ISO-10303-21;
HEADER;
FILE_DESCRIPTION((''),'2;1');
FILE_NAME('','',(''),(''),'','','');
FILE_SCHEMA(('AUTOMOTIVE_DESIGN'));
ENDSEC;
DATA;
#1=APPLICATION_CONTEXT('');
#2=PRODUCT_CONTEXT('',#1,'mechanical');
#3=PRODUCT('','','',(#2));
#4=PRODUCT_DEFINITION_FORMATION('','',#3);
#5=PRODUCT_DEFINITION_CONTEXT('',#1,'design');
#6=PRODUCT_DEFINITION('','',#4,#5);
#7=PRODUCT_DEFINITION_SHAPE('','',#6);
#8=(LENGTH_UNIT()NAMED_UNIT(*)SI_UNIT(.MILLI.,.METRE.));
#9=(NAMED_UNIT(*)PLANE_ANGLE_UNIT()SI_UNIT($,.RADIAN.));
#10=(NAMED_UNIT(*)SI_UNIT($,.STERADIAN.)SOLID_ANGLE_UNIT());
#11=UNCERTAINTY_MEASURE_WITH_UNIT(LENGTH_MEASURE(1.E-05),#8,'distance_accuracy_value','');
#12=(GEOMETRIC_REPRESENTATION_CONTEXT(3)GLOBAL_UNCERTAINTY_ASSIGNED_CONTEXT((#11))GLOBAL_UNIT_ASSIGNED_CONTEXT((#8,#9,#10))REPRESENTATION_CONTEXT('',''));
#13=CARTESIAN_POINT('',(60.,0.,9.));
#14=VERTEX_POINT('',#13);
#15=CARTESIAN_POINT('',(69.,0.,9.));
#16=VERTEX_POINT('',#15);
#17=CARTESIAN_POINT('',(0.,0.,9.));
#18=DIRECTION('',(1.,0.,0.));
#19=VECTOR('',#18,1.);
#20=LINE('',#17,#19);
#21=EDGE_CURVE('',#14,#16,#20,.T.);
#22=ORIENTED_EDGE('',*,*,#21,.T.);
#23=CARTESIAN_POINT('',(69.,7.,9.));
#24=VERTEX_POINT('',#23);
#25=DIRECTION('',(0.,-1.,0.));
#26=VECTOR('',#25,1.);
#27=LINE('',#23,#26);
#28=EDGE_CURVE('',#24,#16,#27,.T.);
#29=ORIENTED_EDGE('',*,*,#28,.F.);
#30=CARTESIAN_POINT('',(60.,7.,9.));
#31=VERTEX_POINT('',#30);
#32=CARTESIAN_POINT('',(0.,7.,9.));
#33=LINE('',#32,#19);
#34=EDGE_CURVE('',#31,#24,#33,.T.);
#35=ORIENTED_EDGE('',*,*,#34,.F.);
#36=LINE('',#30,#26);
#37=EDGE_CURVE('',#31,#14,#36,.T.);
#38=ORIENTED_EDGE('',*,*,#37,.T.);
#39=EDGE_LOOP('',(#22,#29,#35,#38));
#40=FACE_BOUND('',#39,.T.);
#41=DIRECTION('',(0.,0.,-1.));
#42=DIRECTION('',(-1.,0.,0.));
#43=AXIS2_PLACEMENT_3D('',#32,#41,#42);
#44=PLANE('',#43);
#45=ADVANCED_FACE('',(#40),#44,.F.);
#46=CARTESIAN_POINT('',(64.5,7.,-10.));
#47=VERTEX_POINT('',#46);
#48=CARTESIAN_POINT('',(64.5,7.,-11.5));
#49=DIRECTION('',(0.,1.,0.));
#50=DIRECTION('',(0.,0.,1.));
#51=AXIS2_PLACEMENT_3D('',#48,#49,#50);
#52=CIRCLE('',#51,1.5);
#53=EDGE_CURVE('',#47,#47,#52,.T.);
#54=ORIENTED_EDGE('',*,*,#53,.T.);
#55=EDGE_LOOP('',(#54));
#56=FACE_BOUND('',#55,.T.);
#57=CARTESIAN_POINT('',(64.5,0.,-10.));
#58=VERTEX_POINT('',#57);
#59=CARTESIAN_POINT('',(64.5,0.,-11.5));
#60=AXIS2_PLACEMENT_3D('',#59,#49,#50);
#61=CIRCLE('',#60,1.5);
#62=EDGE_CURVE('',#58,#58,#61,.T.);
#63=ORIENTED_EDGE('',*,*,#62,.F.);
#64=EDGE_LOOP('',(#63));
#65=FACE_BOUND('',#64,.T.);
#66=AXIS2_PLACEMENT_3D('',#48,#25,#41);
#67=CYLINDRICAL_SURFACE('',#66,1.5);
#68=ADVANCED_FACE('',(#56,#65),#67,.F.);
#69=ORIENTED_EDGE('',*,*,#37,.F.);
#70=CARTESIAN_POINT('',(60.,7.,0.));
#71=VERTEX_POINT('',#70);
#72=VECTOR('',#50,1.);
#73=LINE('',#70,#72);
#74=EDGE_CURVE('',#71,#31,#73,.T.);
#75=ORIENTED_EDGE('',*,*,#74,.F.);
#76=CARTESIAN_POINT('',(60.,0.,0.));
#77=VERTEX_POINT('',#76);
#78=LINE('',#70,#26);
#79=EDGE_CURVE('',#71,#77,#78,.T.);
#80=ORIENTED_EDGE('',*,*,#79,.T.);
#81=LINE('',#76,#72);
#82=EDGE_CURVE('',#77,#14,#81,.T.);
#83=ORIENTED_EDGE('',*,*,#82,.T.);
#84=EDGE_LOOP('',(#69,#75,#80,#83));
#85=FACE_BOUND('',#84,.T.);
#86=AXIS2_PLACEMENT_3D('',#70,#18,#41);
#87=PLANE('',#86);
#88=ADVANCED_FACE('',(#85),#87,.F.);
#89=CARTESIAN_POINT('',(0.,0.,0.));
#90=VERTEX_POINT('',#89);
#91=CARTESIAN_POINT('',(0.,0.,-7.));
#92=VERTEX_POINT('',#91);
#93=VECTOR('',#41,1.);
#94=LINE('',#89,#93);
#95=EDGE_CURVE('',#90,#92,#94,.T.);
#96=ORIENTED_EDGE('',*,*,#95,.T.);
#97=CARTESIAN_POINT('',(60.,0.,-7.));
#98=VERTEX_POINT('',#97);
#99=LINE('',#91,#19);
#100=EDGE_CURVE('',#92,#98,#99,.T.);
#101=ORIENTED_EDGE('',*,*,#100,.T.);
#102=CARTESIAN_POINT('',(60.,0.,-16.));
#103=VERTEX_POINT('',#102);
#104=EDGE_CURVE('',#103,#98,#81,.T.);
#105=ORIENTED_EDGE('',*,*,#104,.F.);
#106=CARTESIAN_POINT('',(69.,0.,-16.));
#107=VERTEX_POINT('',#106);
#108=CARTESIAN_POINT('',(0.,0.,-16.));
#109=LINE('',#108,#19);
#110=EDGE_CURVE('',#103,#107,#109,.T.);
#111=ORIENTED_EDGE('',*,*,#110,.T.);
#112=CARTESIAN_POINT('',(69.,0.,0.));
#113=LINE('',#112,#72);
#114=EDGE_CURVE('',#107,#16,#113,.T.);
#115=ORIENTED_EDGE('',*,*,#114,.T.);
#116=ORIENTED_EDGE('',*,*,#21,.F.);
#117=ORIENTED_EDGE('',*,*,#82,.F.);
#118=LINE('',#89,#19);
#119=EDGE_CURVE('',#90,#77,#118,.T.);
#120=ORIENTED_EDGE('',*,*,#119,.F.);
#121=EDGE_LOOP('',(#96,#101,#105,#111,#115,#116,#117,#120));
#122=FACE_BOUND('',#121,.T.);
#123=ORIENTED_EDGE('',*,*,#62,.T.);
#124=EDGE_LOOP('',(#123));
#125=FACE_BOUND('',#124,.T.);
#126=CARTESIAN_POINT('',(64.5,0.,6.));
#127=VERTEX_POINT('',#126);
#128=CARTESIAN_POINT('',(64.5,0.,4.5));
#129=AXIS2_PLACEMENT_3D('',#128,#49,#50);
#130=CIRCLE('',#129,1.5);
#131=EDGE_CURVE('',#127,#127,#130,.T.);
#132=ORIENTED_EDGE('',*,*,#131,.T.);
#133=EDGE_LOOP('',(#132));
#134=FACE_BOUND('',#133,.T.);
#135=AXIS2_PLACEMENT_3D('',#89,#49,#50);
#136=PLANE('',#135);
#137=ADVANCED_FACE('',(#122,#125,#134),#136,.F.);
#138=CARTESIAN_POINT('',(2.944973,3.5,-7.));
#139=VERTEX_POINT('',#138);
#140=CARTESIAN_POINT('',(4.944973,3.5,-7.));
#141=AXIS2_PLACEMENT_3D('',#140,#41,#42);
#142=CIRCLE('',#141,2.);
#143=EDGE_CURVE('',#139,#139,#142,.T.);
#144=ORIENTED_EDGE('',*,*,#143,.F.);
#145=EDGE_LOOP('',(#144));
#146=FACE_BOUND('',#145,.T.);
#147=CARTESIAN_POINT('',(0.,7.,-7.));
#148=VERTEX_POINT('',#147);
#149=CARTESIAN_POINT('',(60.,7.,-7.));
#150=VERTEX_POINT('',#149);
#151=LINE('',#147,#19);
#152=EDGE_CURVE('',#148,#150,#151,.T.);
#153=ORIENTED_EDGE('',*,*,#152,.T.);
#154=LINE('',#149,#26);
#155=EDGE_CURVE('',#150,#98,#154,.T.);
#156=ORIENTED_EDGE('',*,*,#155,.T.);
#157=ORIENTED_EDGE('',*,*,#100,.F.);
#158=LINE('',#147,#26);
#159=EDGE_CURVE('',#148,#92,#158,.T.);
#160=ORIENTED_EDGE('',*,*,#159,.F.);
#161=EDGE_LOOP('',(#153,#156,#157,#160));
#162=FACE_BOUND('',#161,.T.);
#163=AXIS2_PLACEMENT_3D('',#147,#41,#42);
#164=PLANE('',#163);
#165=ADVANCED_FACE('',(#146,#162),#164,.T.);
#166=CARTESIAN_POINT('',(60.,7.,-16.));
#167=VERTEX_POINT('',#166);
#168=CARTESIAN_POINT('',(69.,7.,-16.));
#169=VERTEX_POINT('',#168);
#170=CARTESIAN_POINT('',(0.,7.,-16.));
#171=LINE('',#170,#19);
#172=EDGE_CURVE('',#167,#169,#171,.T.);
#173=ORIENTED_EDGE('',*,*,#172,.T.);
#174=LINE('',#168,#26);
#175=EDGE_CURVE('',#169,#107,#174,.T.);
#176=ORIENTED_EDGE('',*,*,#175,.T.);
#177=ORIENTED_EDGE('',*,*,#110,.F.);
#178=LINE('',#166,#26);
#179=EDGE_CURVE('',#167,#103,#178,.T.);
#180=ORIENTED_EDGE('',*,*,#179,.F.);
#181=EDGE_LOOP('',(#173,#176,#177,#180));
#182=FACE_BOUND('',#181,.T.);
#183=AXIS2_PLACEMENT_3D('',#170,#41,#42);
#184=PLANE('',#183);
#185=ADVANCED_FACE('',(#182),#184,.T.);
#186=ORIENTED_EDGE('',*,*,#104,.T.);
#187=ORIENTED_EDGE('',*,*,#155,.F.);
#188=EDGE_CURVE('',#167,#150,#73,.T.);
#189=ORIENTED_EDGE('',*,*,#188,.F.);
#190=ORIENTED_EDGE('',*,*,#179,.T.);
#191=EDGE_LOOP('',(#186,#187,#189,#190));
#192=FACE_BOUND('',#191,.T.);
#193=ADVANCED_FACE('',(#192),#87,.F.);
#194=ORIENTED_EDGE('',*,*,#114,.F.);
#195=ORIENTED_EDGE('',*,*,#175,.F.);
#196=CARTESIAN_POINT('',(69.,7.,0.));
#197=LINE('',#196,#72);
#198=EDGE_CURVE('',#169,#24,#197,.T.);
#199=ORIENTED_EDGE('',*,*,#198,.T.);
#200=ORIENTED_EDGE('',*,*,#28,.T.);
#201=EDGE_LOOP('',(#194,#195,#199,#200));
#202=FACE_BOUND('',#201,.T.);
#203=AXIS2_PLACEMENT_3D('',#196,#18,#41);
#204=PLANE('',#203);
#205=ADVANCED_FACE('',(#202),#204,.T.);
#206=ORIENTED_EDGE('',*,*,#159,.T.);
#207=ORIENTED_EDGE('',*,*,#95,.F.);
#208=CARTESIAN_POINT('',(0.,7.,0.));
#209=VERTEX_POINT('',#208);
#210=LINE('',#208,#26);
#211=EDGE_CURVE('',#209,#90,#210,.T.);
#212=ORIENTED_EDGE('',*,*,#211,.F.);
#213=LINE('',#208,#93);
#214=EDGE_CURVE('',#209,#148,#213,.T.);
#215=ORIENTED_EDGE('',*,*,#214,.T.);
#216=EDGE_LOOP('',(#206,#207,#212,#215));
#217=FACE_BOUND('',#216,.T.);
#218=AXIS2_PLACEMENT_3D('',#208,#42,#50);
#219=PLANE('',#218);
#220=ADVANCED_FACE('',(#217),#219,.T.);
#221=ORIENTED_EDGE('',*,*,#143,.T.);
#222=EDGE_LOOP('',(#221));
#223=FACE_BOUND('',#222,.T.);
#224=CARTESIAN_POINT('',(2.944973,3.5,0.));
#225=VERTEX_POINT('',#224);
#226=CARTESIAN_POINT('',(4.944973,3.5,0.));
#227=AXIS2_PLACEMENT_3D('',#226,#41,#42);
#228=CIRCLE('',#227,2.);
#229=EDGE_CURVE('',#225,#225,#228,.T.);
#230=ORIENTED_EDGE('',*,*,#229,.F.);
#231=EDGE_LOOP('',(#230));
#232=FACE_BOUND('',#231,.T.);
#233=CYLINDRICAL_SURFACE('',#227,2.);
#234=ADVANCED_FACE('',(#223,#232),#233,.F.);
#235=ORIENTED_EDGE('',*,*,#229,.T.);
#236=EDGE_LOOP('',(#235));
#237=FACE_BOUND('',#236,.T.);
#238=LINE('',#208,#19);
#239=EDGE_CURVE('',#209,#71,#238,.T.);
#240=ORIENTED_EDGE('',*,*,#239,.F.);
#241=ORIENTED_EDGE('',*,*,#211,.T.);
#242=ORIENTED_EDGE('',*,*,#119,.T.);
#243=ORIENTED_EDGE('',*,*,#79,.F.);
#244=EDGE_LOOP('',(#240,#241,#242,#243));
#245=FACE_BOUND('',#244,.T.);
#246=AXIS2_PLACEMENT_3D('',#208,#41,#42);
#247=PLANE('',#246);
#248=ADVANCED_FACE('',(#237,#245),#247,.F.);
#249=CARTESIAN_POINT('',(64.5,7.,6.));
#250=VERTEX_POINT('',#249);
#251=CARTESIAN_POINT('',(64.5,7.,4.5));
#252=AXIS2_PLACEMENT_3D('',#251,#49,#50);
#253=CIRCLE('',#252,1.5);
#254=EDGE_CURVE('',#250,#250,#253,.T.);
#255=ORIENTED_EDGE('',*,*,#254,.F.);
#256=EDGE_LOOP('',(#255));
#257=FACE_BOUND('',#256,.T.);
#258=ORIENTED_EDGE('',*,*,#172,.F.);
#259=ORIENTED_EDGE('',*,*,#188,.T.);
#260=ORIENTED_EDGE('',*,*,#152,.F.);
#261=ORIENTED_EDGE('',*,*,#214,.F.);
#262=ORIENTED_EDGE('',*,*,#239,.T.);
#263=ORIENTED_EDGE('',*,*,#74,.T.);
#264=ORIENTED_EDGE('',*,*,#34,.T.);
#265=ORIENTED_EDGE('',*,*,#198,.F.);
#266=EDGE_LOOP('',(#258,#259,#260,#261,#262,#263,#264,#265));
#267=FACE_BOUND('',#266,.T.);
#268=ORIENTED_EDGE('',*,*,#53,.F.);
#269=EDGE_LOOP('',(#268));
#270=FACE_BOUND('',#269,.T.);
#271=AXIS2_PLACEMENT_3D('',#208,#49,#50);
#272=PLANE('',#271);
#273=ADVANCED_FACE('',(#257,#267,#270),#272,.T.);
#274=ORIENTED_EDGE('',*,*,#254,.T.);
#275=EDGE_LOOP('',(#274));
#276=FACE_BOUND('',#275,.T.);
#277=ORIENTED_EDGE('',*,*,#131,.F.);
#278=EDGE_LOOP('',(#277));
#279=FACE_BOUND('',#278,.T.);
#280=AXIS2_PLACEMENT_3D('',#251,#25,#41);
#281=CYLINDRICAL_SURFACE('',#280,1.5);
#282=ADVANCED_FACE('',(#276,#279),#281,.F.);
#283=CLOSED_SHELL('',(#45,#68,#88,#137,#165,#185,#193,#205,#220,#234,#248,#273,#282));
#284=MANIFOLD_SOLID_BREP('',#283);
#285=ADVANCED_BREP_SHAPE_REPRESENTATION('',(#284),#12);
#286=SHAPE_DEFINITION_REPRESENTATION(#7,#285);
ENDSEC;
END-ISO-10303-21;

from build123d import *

# Parameters (mm, degrees)
SKETCH1_R           = 1.5
SKETCH1_W           = 60
SKETCH1_H           = 7
BOSS_EXTRUDE1_DEPTH = 7
SKETCH2_R           = 2
CUT_EXTRUDE1_DEPTH  = 7


with BuildPart() as part:
    # Sketch1 → Boss-Extrude1 (new body)
    with BuildSketch(Plane(origin=(0, 0, 0), x_dir=(1, 0, 0), z_dir=(0, 1, 0))):
        Polygon((60, 7), (60, 0), (60, -9), (69, -9), (69, 16), (60, 16), align=None)
        with Locations((64.5, -4.5)):
            Circle(SKETCH1_R, mode=Mode.SUBTRACT)
        with Locations((64.5, 11.5)):
            Circle(SKETCH1_R, mode=Mode.SUBTRACT)
        with Locations((30, 3.5)):
            Rectangle(SKETCH1_W, SKETCH1_H)
    extrude(amount=BOSS_EXTRUDE1_DEPTH)

    # Sketch2 → Cut-Extrude1 (cut)
    with BuildSketch(Plane(origin=(0, 0, -7), x_dir=(-1, 0, 0), z_dir=(0, 0, -1))):
        with Locations((-4.944972507, 3.5)):
            Circle(SKETCH2_R)
    extrude(amount=-CUT_EXTRUDE1_DEPTH, mode=Mode.SUBTRACT)


solid = part.part
